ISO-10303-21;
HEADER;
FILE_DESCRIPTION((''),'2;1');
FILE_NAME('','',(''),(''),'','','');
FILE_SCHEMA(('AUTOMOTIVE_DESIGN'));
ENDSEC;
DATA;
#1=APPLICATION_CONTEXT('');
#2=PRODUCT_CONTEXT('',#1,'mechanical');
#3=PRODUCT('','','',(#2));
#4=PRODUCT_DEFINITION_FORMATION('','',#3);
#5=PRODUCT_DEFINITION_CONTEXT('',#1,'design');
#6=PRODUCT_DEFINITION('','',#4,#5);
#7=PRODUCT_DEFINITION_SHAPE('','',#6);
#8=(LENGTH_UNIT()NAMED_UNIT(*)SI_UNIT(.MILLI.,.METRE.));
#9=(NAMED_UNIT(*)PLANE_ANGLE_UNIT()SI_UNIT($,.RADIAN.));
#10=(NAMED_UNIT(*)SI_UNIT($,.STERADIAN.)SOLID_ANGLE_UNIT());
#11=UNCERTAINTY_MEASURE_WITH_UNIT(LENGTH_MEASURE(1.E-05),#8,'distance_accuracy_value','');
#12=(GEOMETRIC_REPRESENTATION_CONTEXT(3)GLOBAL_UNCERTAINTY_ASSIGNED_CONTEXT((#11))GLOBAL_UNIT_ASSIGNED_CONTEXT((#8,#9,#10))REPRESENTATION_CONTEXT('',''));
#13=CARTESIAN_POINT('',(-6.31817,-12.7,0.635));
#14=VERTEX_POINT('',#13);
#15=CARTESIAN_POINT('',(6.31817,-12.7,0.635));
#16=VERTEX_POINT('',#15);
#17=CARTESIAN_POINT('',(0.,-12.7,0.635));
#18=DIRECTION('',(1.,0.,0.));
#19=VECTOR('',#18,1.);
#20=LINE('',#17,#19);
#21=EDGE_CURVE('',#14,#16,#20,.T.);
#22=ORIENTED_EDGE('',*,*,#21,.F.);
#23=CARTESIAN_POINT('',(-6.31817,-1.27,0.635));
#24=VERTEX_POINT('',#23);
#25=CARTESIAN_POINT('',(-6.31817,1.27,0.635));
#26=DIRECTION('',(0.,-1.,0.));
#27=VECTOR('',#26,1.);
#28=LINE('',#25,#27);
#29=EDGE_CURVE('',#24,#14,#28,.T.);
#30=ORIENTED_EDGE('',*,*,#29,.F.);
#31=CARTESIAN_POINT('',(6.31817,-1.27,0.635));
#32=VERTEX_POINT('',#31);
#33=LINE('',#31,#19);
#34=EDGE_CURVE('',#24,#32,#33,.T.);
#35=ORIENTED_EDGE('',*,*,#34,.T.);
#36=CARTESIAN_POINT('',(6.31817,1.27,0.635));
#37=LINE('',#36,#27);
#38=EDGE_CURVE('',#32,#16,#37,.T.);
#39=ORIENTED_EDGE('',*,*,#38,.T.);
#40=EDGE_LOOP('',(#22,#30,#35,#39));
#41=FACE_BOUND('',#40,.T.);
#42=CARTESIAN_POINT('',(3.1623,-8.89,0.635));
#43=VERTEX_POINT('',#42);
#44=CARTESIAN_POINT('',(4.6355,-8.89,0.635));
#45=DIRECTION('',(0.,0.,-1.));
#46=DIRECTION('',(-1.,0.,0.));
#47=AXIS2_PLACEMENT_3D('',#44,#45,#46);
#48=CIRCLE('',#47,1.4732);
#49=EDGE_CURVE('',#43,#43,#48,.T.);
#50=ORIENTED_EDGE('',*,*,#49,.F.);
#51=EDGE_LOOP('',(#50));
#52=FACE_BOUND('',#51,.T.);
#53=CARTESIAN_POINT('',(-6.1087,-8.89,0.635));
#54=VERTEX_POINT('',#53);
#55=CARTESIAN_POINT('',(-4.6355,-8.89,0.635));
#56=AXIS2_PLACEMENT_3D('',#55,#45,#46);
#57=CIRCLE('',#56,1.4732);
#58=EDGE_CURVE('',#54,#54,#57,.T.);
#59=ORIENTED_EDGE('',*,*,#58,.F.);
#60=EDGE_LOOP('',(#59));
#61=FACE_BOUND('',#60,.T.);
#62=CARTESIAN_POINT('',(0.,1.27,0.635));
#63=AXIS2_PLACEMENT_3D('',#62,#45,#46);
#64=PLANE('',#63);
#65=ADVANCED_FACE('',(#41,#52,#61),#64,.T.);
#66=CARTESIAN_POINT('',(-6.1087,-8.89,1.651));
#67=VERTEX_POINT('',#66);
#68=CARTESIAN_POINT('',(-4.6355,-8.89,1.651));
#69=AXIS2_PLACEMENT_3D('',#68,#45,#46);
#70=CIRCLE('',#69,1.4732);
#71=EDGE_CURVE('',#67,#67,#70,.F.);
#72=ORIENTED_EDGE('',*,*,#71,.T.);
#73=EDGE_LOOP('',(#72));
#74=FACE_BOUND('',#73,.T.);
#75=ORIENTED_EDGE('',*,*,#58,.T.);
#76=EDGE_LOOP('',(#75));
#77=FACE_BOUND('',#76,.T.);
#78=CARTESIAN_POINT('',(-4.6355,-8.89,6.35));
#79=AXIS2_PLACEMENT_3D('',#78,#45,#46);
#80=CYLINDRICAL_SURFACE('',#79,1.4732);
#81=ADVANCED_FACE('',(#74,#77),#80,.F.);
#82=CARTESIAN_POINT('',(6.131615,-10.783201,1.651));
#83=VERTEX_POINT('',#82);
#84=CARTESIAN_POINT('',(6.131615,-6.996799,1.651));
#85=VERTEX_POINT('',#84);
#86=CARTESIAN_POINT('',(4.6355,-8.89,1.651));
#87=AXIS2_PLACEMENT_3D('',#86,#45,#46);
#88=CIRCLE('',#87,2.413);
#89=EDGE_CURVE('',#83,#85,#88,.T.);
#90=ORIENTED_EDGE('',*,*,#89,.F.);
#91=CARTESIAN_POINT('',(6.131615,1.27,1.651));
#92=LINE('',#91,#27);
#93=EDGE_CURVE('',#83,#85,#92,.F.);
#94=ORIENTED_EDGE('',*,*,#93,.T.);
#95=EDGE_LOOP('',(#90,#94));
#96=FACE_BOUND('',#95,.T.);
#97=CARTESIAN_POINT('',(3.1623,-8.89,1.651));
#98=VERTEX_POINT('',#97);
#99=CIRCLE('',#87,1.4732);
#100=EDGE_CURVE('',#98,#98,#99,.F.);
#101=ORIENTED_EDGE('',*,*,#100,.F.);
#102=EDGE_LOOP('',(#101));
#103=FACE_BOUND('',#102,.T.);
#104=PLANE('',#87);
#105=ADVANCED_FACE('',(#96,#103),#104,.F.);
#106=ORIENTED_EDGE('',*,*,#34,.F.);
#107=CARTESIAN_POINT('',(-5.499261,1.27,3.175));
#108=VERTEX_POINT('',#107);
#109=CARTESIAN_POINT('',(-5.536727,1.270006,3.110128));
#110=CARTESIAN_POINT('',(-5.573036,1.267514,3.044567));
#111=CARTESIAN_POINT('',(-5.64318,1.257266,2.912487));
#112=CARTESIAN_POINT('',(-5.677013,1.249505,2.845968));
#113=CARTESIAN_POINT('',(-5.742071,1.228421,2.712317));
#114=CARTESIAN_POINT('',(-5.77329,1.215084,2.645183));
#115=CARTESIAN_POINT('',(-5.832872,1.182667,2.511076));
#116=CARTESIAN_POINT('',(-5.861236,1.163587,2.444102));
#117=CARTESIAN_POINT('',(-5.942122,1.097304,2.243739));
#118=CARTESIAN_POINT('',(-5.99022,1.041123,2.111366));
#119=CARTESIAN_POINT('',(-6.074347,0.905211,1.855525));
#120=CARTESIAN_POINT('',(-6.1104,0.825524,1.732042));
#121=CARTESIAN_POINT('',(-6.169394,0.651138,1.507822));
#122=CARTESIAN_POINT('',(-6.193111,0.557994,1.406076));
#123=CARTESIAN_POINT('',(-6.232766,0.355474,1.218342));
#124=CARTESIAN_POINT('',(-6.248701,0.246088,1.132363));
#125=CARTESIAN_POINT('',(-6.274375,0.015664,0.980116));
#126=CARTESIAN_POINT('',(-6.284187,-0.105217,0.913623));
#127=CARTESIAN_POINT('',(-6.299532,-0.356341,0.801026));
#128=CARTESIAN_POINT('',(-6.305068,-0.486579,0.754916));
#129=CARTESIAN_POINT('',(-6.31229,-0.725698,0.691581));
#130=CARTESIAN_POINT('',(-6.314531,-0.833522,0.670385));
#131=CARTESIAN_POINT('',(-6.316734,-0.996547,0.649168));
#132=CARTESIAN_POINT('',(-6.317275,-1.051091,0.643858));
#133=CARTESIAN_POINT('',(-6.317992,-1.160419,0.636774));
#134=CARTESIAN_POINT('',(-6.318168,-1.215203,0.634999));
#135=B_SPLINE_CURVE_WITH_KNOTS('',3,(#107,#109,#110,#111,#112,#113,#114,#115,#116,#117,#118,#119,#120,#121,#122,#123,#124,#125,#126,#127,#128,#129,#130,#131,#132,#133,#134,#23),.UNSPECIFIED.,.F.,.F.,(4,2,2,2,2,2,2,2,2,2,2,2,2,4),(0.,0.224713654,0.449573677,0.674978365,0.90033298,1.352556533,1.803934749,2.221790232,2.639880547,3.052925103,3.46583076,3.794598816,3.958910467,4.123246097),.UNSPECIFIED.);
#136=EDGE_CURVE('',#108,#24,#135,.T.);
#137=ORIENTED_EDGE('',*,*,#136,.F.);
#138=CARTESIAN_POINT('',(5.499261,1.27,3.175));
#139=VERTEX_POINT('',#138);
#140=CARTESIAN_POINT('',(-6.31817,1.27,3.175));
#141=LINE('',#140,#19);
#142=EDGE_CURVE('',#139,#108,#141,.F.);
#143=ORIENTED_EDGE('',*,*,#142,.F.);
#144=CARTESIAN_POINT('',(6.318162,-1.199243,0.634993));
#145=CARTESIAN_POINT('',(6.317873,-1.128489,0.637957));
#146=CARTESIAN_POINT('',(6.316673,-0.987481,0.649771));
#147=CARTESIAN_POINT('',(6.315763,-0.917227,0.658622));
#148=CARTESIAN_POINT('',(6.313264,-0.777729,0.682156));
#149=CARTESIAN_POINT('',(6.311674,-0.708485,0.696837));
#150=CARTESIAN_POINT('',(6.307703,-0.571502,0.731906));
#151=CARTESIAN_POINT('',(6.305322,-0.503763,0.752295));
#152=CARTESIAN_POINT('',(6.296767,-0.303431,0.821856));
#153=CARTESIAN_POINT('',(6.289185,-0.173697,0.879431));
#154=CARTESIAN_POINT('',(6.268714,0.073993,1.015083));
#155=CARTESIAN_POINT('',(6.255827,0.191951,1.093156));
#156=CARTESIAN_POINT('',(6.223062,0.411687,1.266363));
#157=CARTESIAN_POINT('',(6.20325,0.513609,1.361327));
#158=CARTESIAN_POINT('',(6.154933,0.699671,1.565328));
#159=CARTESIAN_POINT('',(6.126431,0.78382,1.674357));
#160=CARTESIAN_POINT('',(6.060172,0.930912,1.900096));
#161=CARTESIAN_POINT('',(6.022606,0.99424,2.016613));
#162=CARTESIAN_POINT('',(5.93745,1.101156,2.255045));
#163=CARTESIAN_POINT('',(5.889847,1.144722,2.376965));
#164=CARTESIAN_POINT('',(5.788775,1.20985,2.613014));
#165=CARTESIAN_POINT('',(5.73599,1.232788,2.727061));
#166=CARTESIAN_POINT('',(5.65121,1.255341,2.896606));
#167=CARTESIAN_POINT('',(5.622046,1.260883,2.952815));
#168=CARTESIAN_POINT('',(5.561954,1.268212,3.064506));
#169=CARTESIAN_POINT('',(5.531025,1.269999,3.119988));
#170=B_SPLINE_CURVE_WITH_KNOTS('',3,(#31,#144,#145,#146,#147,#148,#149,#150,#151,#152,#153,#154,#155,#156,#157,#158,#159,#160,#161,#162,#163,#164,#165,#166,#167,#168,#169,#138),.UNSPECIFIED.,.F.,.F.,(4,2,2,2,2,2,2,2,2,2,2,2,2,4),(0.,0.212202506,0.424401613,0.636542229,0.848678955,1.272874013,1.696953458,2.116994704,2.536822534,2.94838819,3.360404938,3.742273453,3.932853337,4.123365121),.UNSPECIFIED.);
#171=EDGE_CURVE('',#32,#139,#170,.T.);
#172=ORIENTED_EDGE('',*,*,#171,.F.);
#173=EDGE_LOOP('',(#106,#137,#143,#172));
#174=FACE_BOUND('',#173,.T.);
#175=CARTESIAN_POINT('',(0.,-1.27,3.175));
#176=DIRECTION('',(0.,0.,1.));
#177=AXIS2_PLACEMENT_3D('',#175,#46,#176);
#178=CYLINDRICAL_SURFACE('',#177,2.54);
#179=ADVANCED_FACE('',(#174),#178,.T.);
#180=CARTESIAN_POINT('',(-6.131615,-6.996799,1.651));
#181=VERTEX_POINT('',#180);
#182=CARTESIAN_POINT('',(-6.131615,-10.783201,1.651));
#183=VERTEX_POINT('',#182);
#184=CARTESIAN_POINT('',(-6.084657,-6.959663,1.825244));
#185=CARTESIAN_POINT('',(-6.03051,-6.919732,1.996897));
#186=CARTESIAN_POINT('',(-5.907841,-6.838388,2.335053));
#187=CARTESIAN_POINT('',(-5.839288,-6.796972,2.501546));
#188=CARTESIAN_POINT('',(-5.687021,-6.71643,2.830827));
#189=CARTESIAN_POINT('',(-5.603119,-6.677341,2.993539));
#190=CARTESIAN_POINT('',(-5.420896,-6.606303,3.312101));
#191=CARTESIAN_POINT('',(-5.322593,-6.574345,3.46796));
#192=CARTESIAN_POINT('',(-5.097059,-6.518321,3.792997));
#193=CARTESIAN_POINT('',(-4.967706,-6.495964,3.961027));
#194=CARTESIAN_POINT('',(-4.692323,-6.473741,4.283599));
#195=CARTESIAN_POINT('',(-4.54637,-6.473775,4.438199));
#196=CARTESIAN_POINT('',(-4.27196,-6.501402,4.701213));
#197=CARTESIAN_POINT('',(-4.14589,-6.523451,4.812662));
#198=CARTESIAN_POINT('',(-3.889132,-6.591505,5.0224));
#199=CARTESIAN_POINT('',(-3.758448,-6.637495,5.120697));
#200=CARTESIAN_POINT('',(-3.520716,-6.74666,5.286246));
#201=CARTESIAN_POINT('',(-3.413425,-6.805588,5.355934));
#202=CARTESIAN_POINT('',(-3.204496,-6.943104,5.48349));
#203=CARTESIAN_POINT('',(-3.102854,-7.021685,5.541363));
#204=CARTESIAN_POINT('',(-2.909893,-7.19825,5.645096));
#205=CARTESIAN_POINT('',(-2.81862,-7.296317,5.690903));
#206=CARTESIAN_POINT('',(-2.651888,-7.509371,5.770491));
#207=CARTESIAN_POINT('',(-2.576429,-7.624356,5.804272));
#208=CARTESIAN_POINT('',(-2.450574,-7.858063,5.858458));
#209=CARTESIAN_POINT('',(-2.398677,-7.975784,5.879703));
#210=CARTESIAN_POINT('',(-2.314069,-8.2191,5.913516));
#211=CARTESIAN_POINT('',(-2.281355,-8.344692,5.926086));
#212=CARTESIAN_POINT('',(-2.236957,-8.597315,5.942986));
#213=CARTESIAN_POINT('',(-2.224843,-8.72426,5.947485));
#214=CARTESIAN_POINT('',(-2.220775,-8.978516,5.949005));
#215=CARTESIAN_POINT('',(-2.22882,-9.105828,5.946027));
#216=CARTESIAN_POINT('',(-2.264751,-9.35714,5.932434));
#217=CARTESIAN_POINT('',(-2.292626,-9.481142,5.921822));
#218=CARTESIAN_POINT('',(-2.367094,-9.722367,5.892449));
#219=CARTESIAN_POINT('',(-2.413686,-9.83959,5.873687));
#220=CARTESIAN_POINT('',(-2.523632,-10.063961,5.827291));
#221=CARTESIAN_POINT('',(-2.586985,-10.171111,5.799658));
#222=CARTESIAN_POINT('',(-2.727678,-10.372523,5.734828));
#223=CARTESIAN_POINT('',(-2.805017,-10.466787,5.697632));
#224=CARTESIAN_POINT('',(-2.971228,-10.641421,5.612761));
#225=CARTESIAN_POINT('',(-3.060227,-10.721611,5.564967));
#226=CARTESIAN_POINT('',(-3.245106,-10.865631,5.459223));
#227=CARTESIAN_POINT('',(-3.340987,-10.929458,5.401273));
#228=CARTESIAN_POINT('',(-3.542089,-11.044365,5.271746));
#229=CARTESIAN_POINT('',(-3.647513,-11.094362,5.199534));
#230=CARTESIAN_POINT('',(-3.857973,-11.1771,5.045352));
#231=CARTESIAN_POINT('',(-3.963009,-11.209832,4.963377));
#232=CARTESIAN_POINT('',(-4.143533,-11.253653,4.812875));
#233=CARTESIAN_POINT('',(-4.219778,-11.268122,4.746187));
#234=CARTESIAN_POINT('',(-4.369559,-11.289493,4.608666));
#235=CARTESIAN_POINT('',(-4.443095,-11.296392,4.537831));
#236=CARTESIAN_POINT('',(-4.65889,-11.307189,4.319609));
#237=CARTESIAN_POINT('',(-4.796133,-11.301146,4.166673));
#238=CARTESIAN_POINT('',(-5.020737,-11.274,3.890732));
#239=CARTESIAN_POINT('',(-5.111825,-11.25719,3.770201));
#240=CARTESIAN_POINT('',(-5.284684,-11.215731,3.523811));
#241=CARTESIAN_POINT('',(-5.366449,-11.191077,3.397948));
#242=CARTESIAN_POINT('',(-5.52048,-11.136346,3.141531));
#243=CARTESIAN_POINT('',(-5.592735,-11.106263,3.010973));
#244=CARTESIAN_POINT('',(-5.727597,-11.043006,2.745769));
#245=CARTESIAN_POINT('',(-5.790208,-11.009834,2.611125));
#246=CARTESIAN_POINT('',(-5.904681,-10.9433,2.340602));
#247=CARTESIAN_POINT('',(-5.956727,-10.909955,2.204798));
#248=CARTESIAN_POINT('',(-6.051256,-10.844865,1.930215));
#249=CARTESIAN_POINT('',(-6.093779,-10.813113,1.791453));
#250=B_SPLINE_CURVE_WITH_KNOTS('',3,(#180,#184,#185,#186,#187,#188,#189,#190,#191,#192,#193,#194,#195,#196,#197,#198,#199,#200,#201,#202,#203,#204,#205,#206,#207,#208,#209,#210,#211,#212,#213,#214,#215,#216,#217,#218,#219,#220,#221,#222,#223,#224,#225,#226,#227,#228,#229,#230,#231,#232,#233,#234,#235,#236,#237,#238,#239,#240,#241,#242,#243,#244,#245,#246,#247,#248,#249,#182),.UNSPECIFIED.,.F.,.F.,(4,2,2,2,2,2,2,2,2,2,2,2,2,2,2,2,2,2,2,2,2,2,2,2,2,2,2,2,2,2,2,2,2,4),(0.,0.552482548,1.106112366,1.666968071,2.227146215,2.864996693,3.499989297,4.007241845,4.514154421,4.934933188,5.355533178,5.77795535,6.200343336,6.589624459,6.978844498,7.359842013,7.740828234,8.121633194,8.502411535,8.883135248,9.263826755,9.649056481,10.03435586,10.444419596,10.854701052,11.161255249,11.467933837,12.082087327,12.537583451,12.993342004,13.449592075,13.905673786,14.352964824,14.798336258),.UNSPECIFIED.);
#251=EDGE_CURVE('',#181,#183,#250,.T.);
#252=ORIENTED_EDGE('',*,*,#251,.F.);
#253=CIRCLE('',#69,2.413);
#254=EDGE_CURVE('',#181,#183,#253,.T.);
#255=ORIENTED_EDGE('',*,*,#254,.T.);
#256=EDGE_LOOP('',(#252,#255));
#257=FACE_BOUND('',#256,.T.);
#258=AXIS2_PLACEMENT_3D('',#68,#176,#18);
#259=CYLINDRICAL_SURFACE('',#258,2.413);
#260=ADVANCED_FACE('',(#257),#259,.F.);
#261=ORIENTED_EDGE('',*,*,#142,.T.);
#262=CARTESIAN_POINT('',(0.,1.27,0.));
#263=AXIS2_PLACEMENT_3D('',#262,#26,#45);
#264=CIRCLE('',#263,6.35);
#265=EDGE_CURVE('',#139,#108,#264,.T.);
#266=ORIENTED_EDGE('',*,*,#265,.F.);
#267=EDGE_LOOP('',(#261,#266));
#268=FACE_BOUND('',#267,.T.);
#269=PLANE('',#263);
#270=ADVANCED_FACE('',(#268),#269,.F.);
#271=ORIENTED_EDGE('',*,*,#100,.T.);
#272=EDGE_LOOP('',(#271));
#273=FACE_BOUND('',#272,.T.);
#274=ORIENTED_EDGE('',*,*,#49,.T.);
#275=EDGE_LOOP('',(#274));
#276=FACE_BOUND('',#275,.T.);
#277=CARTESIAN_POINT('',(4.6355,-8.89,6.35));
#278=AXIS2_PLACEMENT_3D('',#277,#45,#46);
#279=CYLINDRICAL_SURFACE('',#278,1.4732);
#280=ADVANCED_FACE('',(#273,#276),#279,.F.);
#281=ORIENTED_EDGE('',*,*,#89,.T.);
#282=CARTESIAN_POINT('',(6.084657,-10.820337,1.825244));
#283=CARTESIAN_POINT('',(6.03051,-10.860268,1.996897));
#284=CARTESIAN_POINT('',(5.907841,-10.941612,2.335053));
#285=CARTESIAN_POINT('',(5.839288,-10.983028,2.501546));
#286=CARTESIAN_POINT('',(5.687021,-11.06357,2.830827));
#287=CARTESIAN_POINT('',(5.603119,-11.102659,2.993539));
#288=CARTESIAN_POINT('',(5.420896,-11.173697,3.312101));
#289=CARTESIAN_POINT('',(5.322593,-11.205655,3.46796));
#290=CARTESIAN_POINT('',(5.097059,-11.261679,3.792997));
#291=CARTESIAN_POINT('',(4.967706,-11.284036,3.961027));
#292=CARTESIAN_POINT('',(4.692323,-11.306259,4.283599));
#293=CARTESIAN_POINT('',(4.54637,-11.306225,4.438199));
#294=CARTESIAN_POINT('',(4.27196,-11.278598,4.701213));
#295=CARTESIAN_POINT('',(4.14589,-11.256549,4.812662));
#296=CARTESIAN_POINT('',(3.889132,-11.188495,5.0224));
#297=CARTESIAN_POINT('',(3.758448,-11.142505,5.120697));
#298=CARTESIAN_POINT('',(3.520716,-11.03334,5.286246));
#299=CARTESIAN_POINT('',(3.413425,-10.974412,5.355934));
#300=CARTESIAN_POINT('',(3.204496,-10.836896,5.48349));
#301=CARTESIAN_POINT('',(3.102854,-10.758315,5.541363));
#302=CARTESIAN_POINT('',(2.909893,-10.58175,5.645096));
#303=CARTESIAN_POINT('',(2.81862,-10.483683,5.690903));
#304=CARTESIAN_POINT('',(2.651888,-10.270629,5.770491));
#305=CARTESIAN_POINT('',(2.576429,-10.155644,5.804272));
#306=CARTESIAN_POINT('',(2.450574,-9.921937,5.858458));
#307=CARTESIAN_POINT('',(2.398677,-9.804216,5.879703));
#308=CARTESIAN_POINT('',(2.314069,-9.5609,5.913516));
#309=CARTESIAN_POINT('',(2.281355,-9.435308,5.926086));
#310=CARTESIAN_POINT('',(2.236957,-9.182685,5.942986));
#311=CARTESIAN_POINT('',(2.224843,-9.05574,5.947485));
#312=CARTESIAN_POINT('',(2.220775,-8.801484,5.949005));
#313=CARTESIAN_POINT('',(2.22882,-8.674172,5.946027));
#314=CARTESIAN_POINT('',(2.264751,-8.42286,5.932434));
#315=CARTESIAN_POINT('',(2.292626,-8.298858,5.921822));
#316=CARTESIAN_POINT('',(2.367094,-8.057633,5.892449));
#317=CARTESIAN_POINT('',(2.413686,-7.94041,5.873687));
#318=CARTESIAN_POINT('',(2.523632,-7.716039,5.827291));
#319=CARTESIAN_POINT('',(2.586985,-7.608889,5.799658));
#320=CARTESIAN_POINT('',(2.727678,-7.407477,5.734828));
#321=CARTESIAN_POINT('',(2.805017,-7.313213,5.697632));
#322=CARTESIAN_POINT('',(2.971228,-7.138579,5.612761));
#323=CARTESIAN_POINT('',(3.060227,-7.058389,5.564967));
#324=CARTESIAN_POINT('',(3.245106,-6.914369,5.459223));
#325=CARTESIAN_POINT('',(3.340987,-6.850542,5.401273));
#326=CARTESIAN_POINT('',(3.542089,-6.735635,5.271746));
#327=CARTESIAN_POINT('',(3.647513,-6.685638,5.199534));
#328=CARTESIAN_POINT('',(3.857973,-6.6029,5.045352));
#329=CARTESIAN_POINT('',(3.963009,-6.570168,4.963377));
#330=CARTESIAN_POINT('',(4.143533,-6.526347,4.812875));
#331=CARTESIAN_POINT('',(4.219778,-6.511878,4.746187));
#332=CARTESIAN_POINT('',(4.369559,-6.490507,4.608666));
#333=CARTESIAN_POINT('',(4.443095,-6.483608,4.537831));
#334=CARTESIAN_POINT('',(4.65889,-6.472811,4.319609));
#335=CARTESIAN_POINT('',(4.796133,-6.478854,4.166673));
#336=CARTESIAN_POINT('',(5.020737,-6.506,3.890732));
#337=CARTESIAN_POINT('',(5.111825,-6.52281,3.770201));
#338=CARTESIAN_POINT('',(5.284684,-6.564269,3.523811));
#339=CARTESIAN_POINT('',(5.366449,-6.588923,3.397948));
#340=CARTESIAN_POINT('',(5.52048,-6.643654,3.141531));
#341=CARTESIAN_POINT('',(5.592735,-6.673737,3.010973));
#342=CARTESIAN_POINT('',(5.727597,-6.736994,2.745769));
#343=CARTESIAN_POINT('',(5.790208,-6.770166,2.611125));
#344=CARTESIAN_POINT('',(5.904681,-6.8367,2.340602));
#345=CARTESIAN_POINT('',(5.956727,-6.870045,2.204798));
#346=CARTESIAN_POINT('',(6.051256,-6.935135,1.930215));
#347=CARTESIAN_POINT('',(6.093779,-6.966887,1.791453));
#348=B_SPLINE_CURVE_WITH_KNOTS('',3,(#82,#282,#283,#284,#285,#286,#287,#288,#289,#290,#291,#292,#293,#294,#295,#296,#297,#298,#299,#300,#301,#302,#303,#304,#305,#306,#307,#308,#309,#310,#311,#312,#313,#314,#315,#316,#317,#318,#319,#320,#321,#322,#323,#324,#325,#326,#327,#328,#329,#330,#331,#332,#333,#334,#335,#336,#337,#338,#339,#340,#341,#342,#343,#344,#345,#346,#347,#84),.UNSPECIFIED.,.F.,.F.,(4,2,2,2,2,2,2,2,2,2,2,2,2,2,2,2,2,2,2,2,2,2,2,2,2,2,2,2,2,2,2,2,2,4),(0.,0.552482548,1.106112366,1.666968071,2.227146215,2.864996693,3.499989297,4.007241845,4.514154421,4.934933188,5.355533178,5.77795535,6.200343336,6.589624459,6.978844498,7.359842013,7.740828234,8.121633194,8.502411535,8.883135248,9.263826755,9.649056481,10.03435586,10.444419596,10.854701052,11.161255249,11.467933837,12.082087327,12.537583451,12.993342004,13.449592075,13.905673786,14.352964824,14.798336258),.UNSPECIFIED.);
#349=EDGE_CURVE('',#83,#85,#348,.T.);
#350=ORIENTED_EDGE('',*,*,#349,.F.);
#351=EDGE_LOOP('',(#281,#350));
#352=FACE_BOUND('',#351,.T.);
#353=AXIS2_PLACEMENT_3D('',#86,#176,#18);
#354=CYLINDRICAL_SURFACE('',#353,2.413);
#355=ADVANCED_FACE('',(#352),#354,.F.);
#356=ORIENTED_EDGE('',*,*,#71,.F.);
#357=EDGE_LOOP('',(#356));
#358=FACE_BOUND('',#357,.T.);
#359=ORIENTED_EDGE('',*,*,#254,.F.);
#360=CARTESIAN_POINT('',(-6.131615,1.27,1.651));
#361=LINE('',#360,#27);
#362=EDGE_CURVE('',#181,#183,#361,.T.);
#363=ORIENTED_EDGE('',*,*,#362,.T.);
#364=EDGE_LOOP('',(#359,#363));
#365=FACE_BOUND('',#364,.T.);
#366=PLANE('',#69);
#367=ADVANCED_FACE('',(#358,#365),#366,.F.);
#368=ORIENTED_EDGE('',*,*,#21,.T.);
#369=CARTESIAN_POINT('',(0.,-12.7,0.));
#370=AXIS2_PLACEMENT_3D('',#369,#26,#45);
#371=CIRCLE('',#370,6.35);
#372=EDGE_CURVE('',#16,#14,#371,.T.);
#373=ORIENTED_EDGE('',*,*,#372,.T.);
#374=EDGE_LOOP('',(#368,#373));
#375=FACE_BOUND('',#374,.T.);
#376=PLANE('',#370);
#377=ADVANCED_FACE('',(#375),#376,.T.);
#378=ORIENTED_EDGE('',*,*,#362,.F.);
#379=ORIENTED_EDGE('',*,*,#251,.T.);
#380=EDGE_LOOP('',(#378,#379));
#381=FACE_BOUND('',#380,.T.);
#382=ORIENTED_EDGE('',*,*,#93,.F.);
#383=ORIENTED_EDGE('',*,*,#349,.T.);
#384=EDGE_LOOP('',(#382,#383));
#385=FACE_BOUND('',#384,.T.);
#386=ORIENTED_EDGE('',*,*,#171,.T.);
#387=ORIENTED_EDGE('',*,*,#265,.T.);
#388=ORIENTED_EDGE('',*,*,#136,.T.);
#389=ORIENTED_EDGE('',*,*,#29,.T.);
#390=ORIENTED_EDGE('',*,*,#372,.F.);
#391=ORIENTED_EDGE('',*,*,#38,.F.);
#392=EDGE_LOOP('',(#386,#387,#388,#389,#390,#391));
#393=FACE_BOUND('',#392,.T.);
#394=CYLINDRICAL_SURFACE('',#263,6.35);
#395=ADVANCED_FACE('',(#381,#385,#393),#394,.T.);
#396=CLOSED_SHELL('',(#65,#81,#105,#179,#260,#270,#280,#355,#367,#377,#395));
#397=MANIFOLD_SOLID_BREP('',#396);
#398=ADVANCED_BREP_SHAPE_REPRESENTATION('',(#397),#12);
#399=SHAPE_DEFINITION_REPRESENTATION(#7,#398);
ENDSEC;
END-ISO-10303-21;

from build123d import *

# Parameters (mm, degrees)
BOSS_EXTRUDE1_DEPTH = 13.97
FILLET1_R           = 2.54
SKETCH4_R           = 1.4732
CUT_EXTRUDE1_DEPTH  = 6.7150001
SKETCH6_R           = 2.413
CUT_EXTRUDE3_DEPTH  = 5.334


with BuildPart() as part:
    # Sketch3 → Boss-Extrude1 (new body)
    with BuildSketch(Plane.XZ.offset(12.7)):
        with BuildLine():
            ThreePointArc((6.318170226, 0.635), (0, 6.35), (-6.318170226, 0.635))
            Line((-6.318170226, 0.635), (6.318170226, 0.635))
        make_face()
    extrude(amount=-BOSS_EXTRUDE1_DEPTH)

    # Fillet1
    fillet1_edges = [part.edges().sort_by_distance(p)[0] for p in [
        (0, 1.27, 0.635),
    ]]
    fillet(fillet1_edges, radius=FILLET1_R)

    # Sketch4 → Cut-Extrude1 (cut, through all)
    with BuildSketch(Plane(origin=(0, 0, 0.635), x_dir=(-1, 0, 0), z_dir=(0, 0, -1))):
        with Locations((4.6355, -8.89)):
            Circle(SKETCH4_R)
        with Locations((-4.6355, -8.89)):
            Circle(SKETCH4_R)
    extrude(amount=-CUT_EXTRUDE1_DEPTH, mode=Mode.SUBTRACT)

    # Sketch6 → Cut-Extrude3 (cut)
    with BuildSketch(Plane(origin=(0, 0, 6.985), x_dir=(-1, 0, 0), z_dir=(0, 0, -1))):
        with Locations((4.6355, -8.89)):
            Circle(SKETCH6_R)
        with Locations((-4.6355, -8.89)):
            Circle(SKETCH6_R)
    extrude(amount=CUT_EXTRUDE3_DEPTH, mode=Mode.SUBTRACT)


solid = part.part
